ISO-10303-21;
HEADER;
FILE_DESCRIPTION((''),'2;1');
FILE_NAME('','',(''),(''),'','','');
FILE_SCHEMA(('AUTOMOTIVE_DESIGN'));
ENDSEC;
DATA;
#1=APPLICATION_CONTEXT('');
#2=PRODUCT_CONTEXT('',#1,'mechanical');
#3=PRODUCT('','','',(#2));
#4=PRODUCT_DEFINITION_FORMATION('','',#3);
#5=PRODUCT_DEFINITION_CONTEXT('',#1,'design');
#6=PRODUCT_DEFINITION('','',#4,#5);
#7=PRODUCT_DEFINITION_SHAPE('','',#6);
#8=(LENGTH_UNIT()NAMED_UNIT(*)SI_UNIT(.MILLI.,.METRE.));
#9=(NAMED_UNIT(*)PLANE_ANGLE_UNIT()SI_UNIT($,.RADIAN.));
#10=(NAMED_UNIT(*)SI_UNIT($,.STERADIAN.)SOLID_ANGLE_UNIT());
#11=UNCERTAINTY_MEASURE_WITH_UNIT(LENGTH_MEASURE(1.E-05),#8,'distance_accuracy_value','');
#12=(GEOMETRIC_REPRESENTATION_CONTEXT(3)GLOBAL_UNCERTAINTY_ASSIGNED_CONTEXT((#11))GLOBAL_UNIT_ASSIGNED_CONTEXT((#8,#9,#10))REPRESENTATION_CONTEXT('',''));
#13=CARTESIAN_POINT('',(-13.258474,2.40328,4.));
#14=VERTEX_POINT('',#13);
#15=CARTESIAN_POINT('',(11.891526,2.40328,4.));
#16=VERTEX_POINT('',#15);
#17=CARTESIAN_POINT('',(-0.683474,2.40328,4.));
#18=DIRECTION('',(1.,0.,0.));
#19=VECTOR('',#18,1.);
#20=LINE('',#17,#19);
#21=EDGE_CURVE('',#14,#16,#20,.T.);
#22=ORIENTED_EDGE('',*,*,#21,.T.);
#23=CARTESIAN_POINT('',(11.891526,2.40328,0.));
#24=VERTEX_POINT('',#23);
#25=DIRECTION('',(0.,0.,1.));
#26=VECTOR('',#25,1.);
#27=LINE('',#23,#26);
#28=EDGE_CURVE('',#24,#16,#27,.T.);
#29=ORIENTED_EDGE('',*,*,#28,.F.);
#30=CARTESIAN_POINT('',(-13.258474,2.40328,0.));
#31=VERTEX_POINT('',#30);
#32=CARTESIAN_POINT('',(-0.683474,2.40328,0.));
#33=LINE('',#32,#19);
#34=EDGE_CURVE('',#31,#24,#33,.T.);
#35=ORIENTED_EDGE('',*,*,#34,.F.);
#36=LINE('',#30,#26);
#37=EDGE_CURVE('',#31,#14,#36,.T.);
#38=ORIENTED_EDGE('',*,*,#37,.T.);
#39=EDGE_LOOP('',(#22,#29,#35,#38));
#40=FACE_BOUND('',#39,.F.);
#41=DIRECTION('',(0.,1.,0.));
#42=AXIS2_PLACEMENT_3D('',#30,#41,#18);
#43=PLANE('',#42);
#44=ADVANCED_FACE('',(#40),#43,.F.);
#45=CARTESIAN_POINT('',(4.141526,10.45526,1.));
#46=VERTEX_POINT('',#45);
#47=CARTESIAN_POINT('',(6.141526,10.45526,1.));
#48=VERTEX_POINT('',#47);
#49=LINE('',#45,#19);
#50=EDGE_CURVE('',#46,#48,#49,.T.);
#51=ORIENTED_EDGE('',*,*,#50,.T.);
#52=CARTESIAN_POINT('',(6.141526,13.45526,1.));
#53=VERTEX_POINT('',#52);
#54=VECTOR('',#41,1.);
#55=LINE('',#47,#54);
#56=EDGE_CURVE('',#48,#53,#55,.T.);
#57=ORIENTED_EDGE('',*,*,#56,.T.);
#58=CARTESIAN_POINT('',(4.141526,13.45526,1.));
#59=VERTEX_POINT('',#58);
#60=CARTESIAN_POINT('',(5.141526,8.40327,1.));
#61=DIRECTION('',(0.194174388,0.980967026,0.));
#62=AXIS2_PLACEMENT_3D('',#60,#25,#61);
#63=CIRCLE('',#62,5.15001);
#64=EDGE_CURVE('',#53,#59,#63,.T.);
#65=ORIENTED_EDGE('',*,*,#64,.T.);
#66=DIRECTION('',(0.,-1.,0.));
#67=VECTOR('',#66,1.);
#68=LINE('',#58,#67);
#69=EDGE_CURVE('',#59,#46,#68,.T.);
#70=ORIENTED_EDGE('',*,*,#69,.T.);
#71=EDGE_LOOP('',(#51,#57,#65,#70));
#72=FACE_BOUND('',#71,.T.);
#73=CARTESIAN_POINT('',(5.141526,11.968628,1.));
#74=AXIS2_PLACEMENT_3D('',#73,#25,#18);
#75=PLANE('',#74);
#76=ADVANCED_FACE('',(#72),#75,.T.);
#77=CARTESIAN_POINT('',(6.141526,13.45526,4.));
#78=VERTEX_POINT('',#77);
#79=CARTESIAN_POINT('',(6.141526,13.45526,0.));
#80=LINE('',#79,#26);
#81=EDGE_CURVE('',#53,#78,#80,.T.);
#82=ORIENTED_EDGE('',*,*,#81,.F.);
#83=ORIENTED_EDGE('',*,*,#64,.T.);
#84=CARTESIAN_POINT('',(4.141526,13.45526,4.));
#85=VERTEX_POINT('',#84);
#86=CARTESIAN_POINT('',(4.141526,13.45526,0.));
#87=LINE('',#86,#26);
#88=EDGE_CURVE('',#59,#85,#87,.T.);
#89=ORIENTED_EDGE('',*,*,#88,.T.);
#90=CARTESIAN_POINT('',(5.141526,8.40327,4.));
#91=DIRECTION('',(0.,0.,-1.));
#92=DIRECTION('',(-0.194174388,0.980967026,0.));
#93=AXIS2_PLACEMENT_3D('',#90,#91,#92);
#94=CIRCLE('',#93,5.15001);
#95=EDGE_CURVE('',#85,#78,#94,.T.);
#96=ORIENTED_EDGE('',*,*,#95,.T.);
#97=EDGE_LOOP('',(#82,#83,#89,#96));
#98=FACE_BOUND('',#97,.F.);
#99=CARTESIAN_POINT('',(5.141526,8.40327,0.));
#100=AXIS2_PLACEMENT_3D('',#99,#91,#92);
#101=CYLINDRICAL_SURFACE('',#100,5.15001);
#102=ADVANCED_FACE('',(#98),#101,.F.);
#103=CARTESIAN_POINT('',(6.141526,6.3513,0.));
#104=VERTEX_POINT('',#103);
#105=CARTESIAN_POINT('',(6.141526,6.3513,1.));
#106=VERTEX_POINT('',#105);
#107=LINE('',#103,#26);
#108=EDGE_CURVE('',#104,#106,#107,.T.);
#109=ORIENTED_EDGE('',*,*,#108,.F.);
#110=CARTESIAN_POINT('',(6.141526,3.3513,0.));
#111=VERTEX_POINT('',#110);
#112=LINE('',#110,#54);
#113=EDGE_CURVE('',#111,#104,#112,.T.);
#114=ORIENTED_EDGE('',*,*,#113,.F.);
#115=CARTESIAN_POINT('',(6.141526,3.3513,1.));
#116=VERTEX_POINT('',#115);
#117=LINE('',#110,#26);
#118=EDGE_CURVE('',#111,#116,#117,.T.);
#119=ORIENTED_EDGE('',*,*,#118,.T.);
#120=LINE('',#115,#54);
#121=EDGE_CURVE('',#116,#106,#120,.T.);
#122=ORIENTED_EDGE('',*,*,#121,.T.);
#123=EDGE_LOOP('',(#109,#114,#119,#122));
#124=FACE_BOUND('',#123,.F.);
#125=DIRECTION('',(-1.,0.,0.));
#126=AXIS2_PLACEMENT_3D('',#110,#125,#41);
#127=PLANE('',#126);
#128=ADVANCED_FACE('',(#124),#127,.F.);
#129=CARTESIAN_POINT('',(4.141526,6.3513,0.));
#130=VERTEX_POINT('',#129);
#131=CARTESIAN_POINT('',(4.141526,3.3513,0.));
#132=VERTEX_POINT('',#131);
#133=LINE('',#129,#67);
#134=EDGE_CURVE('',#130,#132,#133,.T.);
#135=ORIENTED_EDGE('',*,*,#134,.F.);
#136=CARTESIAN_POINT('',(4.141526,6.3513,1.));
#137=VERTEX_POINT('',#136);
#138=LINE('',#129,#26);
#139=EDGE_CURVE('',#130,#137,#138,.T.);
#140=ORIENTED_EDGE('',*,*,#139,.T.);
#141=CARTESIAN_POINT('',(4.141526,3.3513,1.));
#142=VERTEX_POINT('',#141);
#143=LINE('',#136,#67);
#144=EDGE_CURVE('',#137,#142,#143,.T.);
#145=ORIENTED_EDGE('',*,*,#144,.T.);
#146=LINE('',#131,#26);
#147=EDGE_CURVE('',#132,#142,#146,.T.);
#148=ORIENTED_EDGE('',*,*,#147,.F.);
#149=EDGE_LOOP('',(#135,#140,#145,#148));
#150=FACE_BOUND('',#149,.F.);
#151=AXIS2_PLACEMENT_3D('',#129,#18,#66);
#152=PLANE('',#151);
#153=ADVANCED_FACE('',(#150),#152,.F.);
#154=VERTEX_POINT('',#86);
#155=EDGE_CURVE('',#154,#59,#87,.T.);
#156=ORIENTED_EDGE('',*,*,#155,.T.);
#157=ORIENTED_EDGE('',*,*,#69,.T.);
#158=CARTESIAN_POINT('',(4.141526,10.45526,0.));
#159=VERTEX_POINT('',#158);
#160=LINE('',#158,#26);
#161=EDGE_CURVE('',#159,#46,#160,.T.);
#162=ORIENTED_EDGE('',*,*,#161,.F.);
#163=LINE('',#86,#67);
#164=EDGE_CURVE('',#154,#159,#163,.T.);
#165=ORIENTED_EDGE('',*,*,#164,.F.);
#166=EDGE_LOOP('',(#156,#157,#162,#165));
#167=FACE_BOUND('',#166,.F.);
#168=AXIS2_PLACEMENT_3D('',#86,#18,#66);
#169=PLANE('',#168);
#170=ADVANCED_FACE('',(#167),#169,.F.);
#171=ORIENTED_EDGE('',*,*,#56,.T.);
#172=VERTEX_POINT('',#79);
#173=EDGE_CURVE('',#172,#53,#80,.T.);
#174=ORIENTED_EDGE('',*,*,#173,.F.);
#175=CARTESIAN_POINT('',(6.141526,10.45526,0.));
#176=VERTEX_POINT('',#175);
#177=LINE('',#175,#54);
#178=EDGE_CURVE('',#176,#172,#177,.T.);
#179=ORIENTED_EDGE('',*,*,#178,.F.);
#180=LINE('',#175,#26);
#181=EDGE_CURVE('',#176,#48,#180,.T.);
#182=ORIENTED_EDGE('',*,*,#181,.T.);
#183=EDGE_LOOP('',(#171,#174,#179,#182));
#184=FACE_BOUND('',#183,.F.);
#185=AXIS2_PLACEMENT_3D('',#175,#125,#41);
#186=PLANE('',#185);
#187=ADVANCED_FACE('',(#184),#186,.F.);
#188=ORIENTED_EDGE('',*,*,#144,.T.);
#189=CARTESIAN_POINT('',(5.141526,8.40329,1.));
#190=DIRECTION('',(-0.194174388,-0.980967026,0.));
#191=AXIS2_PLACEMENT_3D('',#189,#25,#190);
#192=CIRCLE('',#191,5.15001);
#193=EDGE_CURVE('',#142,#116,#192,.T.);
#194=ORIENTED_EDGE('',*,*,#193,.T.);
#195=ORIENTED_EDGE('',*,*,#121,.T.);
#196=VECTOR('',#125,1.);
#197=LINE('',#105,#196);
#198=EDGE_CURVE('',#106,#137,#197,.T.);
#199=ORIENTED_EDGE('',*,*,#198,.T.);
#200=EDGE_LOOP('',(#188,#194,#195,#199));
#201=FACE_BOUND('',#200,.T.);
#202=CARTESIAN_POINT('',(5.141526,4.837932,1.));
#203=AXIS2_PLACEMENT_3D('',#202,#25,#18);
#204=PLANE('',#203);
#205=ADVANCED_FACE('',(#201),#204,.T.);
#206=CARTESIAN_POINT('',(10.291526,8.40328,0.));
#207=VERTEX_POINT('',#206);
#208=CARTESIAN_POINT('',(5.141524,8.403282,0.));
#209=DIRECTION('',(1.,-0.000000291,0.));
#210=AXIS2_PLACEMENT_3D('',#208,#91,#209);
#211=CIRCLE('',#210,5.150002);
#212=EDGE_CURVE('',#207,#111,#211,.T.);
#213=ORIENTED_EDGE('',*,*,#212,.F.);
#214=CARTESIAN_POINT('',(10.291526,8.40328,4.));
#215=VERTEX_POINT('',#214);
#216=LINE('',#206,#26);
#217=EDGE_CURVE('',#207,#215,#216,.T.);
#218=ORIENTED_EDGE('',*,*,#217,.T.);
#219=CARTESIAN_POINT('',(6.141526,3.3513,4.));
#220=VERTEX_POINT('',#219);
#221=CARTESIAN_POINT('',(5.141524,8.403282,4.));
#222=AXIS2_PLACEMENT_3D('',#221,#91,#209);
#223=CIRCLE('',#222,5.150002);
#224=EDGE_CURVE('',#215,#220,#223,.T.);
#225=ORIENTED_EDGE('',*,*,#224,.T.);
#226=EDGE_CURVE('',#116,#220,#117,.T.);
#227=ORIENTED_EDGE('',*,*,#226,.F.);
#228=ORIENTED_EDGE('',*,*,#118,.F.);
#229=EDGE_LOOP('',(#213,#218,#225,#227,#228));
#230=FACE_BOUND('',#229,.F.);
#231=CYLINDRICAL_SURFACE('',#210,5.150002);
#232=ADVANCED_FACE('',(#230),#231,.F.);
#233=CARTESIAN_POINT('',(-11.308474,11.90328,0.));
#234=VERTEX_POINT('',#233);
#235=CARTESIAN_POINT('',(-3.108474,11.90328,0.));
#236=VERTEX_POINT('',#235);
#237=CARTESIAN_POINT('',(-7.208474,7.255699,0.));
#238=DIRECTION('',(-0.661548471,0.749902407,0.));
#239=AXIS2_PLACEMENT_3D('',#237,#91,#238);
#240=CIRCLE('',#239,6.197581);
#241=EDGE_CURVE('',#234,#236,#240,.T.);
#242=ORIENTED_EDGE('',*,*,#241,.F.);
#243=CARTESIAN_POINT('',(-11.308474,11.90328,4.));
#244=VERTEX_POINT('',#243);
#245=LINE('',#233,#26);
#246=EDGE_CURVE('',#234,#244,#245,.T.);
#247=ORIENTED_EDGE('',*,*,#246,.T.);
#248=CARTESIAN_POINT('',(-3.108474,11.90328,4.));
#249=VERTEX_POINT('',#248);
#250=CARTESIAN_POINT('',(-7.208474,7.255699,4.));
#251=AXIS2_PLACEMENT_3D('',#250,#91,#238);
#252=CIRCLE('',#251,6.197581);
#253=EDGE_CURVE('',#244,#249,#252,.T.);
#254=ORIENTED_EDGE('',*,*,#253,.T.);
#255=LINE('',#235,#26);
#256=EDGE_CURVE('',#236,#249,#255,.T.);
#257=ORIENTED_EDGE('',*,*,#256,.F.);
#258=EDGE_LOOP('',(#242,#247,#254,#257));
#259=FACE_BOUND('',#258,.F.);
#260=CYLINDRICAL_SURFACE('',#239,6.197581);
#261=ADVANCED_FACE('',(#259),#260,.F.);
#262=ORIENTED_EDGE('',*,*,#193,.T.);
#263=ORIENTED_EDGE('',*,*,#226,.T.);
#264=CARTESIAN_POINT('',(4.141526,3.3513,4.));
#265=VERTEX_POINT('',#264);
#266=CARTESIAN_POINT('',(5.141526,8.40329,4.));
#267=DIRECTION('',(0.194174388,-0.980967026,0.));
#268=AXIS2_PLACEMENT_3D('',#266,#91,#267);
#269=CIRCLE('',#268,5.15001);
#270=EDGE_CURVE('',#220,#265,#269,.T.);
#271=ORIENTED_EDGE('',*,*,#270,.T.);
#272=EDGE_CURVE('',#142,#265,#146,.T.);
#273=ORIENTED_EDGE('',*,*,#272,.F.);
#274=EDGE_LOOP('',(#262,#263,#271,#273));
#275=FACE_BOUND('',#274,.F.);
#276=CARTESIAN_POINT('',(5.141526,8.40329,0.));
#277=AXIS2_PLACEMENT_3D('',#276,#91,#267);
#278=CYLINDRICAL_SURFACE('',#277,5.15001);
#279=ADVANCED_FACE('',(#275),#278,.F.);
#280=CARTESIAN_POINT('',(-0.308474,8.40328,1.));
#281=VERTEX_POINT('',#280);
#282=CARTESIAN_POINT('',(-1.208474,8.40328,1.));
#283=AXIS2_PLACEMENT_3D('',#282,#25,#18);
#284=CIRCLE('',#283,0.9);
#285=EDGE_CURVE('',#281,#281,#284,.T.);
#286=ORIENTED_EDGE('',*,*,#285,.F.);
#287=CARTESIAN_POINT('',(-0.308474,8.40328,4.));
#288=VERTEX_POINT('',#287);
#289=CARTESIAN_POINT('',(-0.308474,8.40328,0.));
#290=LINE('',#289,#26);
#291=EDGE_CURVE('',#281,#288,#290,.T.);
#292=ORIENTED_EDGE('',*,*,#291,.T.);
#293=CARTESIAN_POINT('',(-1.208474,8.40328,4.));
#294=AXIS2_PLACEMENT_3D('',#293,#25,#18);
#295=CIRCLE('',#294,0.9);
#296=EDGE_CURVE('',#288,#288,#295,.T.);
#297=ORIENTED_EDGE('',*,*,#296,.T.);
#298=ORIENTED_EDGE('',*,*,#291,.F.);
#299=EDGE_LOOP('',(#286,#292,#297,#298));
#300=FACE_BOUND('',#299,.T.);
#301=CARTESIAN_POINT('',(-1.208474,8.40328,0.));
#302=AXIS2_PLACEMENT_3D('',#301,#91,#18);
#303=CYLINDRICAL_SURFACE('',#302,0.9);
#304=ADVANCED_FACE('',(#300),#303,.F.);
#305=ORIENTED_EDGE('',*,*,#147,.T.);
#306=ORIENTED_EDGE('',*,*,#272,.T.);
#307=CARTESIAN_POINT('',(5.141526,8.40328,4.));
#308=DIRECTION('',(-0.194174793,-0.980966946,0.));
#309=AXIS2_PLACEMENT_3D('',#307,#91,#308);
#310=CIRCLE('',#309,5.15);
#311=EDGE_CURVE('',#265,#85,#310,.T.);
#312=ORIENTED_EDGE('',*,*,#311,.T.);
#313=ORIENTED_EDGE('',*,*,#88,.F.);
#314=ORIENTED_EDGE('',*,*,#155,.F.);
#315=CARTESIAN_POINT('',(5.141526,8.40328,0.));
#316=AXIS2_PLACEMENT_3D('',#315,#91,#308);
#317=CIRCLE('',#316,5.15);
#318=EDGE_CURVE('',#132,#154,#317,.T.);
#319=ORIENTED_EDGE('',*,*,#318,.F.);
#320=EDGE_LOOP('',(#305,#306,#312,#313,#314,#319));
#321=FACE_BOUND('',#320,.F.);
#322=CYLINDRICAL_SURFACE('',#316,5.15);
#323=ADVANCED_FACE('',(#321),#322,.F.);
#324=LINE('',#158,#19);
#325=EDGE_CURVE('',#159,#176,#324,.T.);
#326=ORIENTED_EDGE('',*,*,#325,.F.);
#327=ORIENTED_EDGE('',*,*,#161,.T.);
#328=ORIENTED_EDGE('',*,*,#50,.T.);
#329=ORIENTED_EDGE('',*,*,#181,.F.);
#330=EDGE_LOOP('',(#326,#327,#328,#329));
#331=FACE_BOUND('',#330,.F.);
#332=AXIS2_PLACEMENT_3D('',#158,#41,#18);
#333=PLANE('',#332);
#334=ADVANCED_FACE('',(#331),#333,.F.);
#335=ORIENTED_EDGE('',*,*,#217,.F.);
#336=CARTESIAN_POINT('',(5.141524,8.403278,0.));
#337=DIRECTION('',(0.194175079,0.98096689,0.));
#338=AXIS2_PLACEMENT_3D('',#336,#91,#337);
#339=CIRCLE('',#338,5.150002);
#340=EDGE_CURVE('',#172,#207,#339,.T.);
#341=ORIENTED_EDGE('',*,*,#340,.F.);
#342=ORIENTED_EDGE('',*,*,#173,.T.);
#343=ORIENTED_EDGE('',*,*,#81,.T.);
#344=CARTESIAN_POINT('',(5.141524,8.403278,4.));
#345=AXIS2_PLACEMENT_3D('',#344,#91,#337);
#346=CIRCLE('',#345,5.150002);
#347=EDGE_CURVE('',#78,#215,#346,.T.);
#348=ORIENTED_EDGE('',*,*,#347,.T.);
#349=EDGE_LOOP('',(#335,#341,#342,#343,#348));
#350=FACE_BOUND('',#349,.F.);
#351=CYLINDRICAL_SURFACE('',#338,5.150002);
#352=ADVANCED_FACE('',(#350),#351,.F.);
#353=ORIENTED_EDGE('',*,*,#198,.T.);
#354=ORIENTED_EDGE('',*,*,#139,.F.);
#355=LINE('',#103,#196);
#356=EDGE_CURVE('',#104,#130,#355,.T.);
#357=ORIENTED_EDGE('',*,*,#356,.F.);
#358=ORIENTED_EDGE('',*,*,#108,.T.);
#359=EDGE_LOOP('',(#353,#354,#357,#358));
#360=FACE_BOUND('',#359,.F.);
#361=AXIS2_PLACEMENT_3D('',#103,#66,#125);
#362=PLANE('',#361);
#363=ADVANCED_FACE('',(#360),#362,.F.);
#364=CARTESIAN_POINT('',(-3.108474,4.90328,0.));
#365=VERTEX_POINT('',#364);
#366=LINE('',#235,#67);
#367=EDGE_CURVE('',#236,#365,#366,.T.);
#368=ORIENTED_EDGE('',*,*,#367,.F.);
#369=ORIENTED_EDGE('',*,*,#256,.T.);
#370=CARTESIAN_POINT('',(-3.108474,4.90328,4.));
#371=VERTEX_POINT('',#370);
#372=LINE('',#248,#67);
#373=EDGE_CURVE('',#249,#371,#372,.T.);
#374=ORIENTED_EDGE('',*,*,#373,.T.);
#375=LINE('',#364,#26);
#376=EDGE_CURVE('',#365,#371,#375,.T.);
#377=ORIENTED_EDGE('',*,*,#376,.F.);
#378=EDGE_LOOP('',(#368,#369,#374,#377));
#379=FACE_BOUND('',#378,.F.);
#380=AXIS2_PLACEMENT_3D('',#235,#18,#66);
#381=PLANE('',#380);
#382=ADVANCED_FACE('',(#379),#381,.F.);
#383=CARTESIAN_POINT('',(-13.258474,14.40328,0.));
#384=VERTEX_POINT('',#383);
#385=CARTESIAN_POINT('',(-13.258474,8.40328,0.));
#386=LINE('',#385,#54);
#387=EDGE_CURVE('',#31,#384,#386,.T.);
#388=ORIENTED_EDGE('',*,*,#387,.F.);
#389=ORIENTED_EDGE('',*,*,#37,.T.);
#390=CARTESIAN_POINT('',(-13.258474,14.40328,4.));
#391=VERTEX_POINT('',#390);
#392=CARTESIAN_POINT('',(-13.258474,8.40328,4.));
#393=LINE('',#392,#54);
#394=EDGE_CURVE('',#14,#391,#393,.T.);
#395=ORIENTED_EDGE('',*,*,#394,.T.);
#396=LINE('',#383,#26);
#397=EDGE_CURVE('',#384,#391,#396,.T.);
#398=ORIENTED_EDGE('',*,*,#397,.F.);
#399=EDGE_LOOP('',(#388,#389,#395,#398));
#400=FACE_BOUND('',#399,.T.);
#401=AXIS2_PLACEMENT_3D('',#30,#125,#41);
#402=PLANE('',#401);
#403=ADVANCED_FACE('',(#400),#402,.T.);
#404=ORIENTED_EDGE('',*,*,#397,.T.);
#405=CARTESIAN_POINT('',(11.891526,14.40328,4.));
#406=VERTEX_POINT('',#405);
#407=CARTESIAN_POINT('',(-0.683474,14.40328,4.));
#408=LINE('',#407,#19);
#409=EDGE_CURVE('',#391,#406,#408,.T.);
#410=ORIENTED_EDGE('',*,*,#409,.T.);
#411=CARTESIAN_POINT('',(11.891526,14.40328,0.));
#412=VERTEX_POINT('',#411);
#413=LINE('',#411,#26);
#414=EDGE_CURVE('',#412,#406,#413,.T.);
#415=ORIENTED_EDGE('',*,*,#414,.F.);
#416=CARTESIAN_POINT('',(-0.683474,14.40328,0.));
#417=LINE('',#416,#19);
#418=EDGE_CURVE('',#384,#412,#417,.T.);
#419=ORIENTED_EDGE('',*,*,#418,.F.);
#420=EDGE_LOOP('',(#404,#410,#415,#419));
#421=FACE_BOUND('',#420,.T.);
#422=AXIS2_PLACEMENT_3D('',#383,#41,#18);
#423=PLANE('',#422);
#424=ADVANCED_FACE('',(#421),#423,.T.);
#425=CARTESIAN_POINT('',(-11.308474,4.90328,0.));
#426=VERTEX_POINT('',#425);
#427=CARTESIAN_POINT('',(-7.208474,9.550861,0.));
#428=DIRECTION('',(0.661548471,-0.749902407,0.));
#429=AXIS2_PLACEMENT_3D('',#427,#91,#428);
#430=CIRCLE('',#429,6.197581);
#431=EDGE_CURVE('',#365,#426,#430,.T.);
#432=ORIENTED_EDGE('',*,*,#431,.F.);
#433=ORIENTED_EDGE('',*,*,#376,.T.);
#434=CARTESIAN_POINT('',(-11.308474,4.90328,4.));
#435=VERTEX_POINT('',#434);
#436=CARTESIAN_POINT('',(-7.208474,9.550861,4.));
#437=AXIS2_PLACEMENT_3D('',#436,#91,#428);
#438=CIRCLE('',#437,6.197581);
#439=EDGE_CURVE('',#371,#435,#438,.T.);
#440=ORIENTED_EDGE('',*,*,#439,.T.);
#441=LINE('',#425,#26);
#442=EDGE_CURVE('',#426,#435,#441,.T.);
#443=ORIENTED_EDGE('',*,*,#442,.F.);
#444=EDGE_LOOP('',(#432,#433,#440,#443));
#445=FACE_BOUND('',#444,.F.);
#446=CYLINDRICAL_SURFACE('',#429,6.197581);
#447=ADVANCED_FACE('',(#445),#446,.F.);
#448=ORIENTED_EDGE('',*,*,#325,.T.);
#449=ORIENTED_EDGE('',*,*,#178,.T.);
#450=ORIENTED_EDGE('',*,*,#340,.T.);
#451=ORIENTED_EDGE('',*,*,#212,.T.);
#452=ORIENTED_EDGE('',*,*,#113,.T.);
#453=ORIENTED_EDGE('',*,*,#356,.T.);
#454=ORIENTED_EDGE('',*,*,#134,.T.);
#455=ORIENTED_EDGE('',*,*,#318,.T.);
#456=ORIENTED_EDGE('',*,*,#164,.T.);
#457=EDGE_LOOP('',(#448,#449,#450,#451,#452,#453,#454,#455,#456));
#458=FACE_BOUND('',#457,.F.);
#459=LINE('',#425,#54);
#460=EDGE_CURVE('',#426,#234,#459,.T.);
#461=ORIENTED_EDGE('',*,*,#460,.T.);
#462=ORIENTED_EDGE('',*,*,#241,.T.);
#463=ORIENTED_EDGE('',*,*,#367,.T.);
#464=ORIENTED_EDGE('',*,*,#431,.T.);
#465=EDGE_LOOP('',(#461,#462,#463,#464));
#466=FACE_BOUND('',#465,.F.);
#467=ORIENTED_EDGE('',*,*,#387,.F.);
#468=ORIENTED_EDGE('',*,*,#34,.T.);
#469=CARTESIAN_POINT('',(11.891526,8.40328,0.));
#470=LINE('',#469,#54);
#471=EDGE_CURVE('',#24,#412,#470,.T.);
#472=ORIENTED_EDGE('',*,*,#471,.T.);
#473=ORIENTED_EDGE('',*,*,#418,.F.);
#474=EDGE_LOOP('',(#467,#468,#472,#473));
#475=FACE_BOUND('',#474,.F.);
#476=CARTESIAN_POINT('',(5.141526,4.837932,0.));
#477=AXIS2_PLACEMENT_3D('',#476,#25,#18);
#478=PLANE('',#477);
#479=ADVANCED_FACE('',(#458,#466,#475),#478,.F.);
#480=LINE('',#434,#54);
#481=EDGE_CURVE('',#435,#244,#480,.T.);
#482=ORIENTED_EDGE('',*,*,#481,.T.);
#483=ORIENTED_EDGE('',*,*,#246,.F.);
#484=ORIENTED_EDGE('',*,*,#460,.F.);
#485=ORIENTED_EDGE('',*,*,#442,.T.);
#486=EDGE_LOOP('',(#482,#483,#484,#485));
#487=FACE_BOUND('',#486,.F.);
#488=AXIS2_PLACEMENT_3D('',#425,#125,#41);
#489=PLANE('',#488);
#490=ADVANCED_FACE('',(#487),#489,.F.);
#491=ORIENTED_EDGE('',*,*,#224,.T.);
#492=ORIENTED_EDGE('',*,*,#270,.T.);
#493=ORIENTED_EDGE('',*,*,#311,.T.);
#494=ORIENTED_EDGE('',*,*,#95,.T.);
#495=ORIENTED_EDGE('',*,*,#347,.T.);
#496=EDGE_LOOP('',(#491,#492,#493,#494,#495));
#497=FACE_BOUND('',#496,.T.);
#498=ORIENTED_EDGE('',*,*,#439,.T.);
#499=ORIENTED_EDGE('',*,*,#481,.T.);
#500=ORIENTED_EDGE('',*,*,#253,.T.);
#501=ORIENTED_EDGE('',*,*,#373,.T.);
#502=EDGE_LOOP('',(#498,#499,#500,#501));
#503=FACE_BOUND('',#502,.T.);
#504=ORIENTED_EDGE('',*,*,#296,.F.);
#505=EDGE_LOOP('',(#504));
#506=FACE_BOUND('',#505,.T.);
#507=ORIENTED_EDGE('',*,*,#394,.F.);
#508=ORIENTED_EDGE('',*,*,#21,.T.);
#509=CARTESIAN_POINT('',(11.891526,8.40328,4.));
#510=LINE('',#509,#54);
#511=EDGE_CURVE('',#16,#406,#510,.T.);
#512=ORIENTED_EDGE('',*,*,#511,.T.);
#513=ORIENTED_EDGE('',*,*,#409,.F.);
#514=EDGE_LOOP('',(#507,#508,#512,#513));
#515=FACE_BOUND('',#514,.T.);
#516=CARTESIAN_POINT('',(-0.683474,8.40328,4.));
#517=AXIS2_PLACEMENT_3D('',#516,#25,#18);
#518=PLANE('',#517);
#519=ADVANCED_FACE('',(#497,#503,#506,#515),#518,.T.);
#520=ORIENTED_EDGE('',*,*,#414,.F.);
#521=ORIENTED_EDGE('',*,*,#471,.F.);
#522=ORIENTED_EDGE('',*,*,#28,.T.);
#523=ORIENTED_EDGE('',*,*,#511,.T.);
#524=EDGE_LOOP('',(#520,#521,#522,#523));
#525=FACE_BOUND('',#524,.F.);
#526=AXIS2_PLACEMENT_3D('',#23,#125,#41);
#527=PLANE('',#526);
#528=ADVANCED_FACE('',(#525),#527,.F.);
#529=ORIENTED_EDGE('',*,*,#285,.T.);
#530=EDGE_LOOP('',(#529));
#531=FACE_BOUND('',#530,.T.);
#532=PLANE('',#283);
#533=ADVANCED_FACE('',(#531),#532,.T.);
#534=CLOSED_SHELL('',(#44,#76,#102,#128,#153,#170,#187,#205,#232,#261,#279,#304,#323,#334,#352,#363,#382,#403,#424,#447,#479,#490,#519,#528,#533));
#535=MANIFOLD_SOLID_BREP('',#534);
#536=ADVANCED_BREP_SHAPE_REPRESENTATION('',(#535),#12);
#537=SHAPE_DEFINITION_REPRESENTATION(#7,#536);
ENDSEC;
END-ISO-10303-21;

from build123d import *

# Parameters (mm, degrees)
F0_W     = 25.15
F0_H     = 12
F0_R     = 0.9
F1_DEPTH = 4
F2_DEPTH = 1


with BuildPart() as f1:
    # F0 (on Top) → F1 (new body)
    with BuildSketch(Plane.XY):
        with Locations((-0.683474, 8.40328)):
            Rectangle(F0_W, F0_H)
        with BuildLine():
            Line((-11.308474, 8.40328), (-11.308474, 11.90328))
            ThreePointArc((-11.308474, 11.90328), (-7.208474, 13.45328), (-3.108474, 11.90328))
            Line((-3.108474, 11.90328), (-3.108474, 8.40328))
            Line((-3.108474, 8.40328), (-3.108474, 4.90328))
            ThreePointArc((-3.108474, 4.90328), (-7.208474, 3.35328), (-11.308474, 4.90328))
            Line((-11.308474, 4.90328), (-11.308474, 8.40328))
        make_face(mode=Mode.SUBTRACT)
        with Locations((-1.208474, 8.40328)):
            Circle(F0_R, mode=Mode.SUBTRACT)
        with BuildLine():
            ThreePointArc((6.141526, 3.3513), (5.141526, 3.25328), (4.141526, 3.3513))
            ThreePointArc((4.141526, 3.3513), (-0.008474, 8.40328), (4.141526, 13.45526))
            ThreePointArc((4.141526, 13.45526), (5.141526, 13.55328), (6.141526, 13.45526))
            ThreePointArc((6.141526, 13.45526), (9.121004, 11.672263), (10.291526, 8.40328))
            ThreePointArc((10.291526, 8.40328), (9.121004, 5.134297), (6.141526, 3.3513))
        make_face(mode=Mode.SUBTRACT)
    extrude(amount=F1_DEPTH)

    # F0 (on Top) → F2 (join)
    with BuildSketch(Plane.XY):
        with BuildLine():
            Line((4.141526, 6.3513), (4.141526, 3.3513))
            ThreePointArc((4.141526, 3.3513), (5.141526, 3.25328), (6.141526, 3.3513))
            Line((6.141526, 3.3513), (6.141526, 6.3513))
            Line((6.141526, 6.3513), (4.141526, 6.3513))
        make_face()
        with BuildLine():
            ThreePointArc((6.141526, 13.45526), (5.141526, 13.55328), (4.141526, 13.45526))
            Line((4.141526, 13.45526), (4.141526, 10.45526))
            Line((4.141526, 10.45526), (6.141526, 10.45526))
            Line((6.141526, 10.45526), (6.141526, 13.45526))
        make_face()
        with Locations((-1.208474, 8.40328)):
            Circle(F0_R)
    extrude(amount=F2_DEPTH)


solid = f1.part
